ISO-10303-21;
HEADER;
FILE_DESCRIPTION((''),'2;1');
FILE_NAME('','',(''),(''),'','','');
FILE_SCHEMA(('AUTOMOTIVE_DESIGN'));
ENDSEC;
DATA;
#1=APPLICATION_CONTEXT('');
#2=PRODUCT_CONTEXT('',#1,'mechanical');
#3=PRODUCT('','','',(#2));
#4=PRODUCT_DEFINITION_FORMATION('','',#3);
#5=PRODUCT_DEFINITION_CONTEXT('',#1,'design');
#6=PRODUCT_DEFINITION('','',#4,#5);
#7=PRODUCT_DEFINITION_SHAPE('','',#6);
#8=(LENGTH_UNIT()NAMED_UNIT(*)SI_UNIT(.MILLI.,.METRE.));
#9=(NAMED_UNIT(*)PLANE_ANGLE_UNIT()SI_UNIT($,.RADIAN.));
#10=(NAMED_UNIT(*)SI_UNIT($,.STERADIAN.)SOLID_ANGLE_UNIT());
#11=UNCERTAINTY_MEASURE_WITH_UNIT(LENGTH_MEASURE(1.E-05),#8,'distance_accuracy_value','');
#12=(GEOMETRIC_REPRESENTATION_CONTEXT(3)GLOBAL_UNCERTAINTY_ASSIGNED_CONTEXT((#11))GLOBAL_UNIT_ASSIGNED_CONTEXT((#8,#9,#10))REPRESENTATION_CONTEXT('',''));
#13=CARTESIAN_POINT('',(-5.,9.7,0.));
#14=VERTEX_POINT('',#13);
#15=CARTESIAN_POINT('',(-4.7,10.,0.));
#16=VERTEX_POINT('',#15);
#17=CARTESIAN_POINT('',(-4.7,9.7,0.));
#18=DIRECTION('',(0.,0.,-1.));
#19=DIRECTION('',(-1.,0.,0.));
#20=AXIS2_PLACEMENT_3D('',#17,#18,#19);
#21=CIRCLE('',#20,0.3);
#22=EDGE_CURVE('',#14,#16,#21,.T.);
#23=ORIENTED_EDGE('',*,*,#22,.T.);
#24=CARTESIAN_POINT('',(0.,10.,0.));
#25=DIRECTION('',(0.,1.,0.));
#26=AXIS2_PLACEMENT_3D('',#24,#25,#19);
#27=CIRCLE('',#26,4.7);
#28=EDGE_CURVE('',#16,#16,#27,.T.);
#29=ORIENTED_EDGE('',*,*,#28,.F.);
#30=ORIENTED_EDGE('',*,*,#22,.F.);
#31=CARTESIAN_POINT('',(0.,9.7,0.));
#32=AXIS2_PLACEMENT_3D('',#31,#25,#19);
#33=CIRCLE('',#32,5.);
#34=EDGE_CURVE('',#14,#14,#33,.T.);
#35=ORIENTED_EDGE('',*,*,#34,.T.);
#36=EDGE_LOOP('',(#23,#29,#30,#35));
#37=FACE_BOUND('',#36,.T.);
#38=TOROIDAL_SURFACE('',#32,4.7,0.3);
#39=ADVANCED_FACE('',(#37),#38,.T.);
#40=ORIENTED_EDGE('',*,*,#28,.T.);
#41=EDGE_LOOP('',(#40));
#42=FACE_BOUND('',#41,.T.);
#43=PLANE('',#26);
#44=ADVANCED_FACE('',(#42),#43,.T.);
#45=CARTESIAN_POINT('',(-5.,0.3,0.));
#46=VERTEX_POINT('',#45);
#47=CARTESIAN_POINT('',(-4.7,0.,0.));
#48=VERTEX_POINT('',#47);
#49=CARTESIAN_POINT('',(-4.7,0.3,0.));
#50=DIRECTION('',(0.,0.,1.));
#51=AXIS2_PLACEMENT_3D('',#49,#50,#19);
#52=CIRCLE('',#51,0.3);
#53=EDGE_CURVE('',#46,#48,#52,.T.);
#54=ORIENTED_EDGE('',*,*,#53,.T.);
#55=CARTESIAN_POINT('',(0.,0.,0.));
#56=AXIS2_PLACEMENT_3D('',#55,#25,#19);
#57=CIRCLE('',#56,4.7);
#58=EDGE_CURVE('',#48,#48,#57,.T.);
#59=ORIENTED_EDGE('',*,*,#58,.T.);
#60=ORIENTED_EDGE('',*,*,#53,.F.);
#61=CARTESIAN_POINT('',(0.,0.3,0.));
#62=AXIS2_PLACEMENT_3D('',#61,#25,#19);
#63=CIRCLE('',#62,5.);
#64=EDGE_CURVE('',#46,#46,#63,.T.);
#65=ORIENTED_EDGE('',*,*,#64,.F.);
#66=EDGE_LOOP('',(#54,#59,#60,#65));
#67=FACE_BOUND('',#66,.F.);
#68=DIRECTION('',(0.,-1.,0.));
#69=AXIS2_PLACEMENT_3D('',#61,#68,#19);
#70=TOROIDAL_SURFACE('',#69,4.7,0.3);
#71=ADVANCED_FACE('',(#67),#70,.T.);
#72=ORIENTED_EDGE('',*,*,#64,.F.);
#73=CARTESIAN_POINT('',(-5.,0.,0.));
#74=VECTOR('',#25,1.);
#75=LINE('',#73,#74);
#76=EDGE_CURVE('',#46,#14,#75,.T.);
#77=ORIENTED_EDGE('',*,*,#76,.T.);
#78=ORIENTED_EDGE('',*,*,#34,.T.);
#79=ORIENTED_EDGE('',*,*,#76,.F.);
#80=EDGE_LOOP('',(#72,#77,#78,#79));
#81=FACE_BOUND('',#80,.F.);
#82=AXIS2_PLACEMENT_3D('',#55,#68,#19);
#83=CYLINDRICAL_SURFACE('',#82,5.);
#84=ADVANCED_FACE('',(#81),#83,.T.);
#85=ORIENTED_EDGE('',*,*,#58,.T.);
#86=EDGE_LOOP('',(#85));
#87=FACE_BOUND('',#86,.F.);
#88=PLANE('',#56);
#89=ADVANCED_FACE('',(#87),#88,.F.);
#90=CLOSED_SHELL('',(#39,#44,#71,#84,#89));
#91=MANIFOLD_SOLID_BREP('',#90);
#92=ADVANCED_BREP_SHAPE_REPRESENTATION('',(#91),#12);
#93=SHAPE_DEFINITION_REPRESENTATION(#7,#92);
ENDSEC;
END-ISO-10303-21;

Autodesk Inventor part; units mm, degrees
ref_plane "YZ Plane" through (0, 0, 0) normal (1, 0, 0) x (0, 1, 0)
ref_plane "XZ Plane" through (0, 0, 0) normal (0, 1, 0) x (-1, 0, 0)
ref_plane "XY Plane" through (0, 0, 0) normal (0, 0, 1) x (1, 0, 0)
sketch "Sketch1" plane through (0, 0, 0) normal (0, 1, 0) x (-1, 0, 0)
  circle A0 centre (0, 0) radius 5
  dimension "d0" = 10
extrude "Extrusion1" add sketch "Sketch1" along normal blind 10
fillet "Fillet1" radius 0.3 2 edges at (5, 10, 0) (5, 0, 0)
properties material "Silver"
